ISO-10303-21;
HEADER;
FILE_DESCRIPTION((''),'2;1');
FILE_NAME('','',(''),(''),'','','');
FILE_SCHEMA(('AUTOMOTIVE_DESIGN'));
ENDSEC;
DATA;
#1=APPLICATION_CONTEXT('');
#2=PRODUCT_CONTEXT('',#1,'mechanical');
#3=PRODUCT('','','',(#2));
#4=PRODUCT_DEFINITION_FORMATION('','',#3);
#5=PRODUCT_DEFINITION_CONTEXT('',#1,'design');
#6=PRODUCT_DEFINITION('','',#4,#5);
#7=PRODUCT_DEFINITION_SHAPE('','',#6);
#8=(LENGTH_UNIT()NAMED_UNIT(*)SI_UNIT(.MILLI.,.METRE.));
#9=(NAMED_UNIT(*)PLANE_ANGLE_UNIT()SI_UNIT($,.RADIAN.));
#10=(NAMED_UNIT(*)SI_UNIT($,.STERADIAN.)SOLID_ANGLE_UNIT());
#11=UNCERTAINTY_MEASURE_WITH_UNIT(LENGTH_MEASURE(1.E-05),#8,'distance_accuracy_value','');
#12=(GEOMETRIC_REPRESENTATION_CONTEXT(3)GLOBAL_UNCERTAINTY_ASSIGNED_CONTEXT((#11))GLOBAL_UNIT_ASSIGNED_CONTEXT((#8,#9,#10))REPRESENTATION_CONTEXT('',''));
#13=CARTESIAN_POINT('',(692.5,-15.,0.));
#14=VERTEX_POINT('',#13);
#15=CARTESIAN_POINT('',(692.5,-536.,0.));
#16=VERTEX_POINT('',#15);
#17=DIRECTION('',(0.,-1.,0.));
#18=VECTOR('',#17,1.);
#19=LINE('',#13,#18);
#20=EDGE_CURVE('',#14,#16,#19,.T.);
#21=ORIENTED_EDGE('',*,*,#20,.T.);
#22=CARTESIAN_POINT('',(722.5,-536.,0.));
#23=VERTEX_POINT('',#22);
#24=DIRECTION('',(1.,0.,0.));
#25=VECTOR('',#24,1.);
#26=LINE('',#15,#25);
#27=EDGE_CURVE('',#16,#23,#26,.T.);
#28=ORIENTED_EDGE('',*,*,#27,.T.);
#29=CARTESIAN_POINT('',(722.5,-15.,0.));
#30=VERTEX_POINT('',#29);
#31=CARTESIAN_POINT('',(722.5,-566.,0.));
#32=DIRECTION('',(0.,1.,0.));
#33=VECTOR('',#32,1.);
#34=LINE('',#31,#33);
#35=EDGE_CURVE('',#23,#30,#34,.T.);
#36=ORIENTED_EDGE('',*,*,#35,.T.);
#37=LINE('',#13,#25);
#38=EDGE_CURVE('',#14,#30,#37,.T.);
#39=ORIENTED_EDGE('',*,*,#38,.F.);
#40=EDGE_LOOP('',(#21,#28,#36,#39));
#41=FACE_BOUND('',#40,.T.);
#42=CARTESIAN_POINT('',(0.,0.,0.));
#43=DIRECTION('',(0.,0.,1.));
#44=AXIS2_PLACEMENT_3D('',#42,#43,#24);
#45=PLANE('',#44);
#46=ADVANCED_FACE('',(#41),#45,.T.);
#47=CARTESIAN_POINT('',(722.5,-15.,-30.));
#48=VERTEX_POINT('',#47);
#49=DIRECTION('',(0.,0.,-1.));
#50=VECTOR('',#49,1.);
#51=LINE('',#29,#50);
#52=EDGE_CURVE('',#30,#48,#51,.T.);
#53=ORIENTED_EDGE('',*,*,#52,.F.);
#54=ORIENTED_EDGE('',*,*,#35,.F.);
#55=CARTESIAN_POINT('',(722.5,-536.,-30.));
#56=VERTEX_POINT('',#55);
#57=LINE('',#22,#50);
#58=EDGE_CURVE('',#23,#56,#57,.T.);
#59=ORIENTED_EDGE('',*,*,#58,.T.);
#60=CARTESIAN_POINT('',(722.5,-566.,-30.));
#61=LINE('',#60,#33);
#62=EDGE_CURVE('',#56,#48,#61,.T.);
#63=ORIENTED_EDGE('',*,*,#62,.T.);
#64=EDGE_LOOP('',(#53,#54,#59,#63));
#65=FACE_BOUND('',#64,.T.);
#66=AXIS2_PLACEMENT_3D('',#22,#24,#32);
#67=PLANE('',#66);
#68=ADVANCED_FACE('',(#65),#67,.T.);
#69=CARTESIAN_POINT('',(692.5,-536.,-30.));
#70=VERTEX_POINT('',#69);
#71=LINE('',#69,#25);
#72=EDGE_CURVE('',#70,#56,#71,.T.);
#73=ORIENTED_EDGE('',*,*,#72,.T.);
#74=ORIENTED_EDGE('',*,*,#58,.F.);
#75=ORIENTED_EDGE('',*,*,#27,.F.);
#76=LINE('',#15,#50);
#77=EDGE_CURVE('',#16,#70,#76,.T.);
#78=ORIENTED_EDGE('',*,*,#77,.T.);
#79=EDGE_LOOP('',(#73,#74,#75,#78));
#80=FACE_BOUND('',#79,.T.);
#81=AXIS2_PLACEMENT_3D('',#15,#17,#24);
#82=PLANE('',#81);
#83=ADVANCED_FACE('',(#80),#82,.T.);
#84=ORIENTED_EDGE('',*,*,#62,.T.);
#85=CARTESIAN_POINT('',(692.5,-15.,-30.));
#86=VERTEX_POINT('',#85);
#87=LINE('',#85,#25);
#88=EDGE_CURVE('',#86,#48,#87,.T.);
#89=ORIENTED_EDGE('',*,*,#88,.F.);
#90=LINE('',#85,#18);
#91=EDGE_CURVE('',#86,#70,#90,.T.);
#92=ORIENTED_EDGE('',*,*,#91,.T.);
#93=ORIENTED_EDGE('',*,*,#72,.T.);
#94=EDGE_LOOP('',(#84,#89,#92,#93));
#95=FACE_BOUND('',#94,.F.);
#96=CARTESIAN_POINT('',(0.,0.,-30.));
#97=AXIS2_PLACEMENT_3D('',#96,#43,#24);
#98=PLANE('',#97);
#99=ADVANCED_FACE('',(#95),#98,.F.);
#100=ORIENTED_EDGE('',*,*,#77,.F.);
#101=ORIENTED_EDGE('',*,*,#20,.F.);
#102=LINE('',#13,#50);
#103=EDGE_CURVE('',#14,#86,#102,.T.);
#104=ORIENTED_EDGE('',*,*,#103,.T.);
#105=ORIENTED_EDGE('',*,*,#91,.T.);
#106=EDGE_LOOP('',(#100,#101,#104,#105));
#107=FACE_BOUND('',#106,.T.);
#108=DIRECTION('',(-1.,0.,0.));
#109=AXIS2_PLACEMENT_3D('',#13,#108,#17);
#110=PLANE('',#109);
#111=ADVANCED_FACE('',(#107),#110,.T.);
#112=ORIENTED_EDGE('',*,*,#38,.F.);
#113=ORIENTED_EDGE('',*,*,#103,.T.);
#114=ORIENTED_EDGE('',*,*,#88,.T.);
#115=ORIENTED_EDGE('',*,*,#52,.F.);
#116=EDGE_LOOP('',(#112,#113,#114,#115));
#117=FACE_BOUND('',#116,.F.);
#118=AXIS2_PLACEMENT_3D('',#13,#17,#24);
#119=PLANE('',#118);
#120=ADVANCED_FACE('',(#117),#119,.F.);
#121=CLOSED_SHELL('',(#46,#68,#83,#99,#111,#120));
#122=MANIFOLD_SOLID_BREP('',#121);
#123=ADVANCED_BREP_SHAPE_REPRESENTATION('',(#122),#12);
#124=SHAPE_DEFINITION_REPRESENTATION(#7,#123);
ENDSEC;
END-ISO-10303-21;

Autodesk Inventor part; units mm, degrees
ref_plane "YZ Plane" through (0, 0, 0) normal (1, 0, 0) x (0, 1, 0)
ref_plane "XZ Plane" through (0, 0, 0) normal (0, 1, 0) x (-1, 0, 0)
ref_plane "XY Plane" through (0, 0, 0) normal (0, 0, 1) x (1, 0, 0)
sketch "Boceto1" plane through (0, 0, 0) normal (0, 0, 1) x (1, 0, 0)
  line L0 (-706.5, 15) -> (-706.5, 1360) projected
  line L1 (-706.5, 1360) -> (-185.5, 1360) projected
  line L2 (-185.5, 1360) -> (-185.5, 15) projected
  line L3 (-185.5, 15) -> (-706.5, 15) projected
  line L4 (692.5, -15) -> (692.5, -536) projected
  line L5 (692.5, -536) -> (-706.5, -536) projected
  line L6 (-706.5, -536) -> (-706.5, -15) projected
  line L7 (-706.5, -15) -> (692.5, -15) projected
  line L8 (722.5, -566) -> (722.5, 15) projected
  line L9 (722.5, 15) -> (-155.5, 15) projected
  line L10 (-155.5, 15) -> (-155.5, 1390) projected
  line L11 (-155.5, 1390) -> (-736.5, 1390) projected
  line L12 (-736.5, 1390) -> (-736.5, -566) projected
  line L13 (-736.5, -566) -> (722.5, -566) projected
  line L14 (692.5, -15) -> (722.5, -15)
  line L15 (692.5, -536) -> (722.5, -536)
  point P0 (0, 0)
extrude "Extrusión1" add sketch "Boceto1" against normal blind 30 contours L14 L8 L15 L4
properties part number "BarraMarco2.1"
